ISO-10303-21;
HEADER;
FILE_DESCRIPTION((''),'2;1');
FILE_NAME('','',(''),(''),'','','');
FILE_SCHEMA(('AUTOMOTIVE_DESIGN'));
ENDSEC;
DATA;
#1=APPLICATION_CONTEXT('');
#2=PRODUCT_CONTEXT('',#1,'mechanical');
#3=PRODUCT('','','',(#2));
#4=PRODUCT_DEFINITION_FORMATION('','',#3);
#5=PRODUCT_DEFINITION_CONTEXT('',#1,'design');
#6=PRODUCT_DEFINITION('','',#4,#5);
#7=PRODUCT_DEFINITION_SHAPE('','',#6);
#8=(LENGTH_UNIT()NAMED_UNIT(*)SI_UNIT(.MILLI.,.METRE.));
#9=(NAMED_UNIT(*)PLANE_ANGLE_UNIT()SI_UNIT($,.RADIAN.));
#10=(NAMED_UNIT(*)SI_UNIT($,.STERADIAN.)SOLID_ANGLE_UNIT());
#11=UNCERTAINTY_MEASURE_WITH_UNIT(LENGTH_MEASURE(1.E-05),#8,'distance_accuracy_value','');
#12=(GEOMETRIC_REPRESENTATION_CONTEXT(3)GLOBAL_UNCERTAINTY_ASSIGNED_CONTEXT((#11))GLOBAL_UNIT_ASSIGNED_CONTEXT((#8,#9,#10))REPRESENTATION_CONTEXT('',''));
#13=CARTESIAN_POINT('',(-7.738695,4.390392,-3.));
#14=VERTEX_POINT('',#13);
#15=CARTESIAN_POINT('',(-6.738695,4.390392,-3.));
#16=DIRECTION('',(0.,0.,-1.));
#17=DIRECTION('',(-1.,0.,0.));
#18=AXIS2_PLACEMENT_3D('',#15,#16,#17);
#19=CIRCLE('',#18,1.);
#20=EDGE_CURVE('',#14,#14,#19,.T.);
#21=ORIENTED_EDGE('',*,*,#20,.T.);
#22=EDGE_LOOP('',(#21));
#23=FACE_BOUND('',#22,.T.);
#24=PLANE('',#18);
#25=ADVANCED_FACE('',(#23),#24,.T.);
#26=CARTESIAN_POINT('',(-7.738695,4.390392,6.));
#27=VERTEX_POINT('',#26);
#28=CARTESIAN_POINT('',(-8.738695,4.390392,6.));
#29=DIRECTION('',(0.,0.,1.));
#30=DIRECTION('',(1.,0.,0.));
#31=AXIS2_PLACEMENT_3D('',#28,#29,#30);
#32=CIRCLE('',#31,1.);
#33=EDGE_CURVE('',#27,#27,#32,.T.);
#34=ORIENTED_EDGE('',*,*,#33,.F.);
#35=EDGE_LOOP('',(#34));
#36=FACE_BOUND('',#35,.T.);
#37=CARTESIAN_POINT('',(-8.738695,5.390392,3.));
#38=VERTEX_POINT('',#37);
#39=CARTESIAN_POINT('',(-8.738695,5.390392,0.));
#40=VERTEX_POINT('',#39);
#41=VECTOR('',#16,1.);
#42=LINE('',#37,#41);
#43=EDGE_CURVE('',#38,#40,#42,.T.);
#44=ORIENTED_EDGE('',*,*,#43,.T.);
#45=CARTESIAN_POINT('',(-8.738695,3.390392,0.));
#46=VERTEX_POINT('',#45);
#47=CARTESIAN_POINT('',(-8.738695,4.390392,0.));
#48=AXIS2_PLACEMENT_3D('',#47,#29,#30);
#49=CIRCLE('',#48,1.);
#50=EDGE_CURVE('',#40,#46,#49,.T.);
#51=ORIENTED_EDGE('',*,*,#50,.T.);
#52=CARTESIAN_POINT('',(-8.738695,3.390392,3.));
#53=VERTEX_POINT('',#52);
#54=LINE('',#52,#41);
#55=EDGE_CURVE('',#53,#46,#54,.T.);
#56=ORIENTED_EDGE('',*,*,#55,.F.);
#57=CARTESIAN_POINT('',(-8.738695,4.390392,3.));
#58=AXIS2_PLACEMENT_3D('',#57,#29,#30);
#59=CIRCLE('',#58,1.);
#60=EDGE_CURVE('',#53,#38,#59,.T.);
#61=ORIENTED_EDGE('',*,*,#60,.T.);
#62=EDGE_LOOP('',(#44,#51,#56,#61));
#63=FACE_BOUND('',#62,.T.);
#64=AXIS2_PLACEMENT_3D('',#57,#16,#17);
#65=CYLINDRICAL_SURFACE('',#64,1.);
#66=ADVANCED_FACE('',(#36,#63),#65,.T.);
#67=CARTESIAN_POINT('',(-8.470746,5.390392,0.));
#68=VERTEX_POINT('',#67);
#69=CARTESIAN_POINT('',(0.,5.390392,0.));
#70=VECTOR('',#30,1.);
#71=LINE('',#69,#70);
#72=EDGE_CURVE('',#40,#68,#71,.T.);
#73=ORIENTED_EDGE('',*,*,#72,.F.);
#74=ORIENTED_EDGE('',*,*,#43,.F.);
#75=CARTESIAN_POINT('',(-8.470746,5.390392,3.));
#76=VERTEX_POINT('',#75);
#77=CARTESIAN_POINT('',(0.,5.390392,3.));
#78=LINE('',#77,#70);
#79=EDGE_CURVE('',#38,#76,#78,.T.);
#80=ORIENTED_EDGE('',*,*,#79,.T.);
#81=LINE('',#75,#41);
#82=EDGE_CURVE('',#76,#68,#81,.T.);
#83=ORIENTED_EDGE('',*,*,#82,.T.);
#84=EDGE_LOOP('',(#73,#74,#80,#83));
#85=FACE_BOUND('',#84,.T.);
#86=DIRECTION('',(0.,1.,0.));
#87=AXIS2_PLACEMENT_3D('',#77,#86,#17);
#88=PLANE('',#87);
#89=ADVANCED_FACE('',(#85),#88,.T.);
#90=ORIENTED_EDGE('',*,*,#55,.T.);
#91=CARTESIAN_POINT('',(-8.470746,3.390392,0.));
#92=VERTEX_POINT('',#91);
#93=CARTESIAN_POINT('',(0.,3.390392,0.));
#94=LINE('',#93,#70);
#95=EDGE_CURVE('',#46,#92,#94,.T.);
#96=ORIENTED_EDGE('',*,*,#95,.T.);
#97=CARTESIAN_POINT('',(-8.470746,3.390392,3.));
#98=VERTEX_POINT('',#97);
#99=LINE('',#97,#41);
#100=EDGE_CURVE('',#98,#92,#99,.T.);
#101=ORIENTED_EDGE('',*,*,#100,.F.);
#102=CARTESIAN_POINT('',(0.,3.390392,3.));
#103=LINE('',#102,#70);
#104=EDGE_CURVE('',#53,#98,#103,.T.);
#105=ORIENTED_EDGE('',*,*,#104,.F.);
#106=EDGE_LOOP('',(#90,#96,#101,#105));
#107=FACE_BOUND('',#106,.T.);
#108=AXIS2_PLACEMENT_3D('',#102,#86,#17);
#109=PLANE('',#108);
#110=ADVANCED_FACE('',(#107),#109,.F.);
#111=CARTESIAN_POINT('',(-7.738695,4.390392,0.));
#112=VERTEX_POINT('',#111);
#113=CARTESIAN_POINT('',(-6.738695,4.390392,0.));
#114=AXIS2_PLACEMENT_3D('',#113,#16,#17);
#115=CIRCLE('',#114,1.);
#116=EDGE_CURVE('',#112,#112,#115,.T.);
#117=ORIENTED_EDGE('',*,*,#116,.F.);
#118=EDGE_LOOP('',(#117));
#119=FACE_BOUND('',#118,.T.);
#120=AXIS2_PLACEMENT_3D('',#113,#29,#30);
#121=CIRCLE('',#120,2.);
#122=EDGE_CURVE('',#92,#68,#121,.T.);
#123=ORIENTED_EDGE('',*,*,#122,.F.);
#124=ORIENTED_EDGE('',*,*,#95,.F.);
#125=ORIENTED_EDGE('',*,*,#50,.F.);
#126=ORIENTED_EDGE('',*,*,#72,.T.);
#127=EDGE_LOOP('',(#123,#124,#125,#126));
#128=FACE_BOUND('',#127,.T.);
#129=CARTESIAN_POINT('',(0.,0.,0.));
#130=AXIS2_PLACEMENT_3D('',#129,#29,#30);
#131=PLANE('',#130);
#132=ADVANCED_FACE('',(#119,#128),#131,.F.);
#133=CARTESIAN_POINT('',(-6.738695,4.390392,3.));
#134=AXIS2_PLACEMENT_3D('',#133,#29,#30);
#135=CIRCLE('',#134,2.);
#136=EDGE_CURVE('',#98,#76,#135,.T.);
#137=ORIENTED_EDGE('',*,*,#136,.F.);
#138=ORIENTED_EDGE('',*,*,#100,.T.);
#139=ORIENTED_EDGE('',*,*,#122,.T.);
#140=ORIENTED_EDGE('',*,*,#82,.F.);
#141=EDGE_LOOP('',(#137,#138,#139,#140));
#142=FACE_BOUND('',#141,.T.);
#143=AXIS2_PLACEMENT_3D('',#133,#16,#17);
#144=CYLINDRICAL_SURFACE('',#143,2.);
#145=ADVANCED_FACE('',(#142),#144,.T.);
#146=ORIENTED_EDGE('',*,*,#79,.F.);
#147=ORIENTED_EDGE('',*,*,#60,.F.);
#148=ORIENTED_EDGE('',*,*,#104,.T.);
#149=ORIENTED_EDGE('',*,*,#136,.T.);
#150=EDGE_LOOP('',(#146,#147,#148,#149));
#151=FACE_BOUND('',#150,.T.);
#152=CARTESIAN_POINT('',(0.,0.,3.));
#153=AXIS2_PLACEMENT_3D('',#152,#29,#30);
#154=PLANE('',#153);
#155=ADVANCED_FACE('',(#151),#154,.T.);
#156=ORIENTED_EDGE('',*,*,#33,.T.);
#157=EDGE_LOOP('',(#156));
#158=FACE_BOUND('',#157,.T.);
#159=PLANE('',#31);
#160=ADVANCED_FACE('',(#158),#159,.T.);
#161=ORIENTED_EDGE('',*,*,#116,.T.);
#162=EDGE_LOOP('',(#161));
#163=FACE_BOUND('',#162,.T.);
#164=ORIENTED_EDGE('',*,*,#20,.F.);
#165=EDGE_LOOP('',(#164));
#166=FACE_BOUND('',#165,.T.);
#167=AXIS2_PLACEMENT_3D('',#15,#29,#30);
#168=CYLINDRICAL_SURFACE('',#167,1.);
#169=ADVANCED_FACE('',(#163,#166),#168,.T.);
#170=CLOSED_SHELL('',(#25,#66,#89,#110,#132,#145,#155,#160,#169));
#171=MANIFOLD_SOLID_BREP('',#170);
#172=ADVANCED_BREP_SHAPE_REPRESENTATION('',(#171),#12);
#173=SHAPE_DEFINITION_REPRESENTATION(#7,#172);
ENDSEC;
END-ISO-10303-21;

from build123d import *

# Parameters (mm, degrees)
BOSS_EXTRUDE1_DEPTH = 3
SKETCH2_R           = 1
BOSS_EXTRUDE2_DEPTH = 3
SKETCH3_R           = 1
BOSS_EXTRUDE3_DEPTH = 3


with BuildPart() as part:
    # Sketch1 → Boss-Extrude1 (new body)
    with BuildSketch(Plane.XY):
        with BuildLine():
            ThreePointArc((-8.738694844, 5.390391994), (-9.738694844, 4.390391994), (-8.738694844, 3.390391994))
            Line((-8.738694844, 3.390391994), (-8.470745652, 3.390391994))
            ThreePointArc((-8.470745652, 3.390391994), (-4.738694844, 4.390391994), (-8.470745652, 5.390391994))
            Line((-8.470745652, 5.390391994), (-8.738694844, 5.390391994))
        make_face()
    extrude(amount=BOSS_EXTRUDE1_DEPTH)

    # Sketch2 → Boss-Extrude2 (add)
    with BuildSketch(Plane.XY.offset(3)):
        with Locations((-8.738694844, 4.390391994)):
            Circle(SKETCH2_R)
    extrude(amount=BOSS_EXTRUDE2_DEPTH)

    # Sketch3 → Boss-Extrude3 (add)
    with BuildSketch(Plane(origin=(0, 0, 0), x_dir=(-1, 0, 0), z_dir=(0, 0, -1))):
        with Locations((6.738694844, 4.390391994)):
            Circle(SKETCH3_R)
    extrude(amount=BOSS_EXTRUDE3_DEPTH)


solid = part.part
